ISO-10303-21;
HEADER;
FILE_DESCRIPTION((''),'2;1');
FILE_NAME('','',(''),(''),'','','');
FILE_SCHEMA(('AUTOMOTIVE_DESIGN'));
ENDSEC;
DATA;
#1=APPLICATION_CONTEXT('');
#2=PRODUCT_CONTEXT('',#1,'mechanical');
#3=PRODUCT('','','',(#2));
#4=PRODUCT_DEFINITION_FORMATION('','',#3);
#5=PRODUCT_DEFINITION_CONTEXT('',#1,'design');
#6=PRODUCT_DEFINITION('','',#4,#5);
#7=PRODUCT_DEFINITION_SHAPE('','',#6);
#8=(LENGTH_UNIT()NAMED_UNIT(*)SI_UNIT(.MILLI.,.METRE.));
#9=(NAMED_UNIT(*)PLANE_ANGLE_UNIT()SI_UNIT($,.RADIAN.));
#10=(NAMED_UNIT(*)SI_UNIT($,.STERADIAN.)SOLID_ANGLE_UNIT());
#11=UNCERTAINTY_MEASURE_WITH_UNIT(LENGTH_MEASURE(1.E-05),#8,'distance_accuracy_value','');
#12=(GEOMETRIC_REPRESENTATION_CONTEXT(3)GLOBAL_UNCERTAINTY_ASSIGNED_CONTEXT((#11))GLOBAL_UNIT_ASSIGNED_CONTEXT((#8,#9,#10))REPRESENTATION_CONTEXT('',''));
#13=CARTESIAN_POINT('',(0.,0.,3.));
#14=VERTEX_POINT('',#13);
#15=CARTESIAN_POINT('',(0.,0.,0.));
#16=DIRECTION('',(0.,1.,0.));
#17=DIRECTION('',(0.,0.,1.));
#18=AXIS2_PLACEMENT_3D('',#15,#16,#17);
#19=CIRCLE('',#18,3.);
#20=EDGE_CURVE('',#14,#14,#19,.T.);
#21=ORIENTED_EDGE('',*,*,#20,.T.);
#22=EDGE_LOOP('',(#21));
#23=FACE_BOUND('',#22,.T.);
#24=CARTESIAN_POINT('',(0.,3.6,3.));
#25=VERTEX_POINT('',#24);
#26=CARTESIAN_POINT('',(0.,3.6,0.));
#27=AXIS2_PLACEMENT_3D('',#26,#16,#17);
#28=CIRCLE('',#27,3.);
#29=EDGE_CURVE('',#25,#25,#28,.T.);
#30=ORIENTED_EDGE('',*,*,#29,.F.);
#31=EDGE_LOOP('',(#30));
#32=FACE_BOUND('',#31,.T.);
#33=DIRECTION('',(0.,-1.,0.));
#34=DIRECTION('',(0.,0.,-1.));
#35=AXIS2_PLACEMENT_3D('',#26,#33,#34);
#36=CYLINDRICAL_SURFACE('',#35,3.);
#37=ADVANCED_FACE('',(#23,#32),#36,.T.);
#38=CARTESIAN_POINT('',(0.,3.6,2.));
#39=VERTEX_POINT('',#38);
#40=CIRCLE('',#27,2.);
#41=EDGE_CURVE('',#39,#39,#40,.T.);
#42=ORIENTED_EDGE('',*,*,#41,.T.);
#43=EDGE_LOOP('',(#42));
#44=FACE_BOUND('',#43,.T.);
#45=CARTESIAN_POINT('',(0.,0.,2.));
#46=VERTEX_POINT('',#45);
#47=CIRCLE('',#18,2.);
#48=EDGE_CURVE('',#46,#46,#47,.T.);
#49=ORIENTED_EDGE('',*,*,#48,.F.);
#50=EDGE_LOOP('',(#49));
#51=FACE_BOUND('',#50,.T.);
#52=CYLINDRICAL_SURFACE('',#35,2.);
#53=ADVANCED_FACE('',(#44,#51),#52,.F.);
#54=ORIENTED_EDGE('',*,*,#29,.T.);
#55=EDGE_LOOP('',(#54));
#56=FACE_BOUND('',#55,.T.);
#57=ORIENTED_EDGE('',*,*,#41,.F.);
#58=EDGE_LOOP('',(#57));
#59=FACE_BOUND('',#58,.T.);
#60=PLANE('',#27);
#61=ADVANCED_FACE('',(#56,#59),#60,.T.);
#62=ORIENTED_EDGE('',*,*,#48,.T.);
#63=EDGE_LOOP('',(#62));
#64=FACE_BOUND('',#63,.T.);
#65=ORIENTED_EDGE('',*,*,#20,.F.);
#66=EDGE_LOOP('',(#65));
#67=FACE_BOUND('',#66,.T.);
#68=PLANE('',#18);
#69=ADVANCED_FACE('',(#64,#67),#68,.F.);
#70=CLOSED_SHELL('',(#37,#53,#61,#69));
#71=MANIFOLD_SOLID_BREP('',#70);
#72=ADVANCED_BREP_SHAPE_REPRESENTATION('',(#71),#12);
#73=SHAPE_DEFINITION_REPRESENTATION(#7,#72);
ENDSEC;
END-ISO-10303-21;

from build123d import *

# Parameters (mm, degrees)
SKETCH_1_R      = 3
SKETCH_1_R_2    = 2
EXTRUDE_1_DEPTH = 3.6


with BuildPart() as part:
    # Эскиз1 → Бобышка-Вытянуть1 (new body)
    with BuildSketch(Plane(origin=(0, 0, 0), x_dir=(1, 0, 0), z_dir=(0, 1, 0))):
        with Locations(Location((0, 0, 0), (0, 0, 270))):
            Circle(SKETCH_1_R)
        with Locations(Location((0, 0, 0), (0, 0, 270))):
            Circle(SKETCH_1_R_2, mode=Mode.SUBTRACT)
    extrude(amount=EXTRUDE_1_DEPTH)


solid = part.part
